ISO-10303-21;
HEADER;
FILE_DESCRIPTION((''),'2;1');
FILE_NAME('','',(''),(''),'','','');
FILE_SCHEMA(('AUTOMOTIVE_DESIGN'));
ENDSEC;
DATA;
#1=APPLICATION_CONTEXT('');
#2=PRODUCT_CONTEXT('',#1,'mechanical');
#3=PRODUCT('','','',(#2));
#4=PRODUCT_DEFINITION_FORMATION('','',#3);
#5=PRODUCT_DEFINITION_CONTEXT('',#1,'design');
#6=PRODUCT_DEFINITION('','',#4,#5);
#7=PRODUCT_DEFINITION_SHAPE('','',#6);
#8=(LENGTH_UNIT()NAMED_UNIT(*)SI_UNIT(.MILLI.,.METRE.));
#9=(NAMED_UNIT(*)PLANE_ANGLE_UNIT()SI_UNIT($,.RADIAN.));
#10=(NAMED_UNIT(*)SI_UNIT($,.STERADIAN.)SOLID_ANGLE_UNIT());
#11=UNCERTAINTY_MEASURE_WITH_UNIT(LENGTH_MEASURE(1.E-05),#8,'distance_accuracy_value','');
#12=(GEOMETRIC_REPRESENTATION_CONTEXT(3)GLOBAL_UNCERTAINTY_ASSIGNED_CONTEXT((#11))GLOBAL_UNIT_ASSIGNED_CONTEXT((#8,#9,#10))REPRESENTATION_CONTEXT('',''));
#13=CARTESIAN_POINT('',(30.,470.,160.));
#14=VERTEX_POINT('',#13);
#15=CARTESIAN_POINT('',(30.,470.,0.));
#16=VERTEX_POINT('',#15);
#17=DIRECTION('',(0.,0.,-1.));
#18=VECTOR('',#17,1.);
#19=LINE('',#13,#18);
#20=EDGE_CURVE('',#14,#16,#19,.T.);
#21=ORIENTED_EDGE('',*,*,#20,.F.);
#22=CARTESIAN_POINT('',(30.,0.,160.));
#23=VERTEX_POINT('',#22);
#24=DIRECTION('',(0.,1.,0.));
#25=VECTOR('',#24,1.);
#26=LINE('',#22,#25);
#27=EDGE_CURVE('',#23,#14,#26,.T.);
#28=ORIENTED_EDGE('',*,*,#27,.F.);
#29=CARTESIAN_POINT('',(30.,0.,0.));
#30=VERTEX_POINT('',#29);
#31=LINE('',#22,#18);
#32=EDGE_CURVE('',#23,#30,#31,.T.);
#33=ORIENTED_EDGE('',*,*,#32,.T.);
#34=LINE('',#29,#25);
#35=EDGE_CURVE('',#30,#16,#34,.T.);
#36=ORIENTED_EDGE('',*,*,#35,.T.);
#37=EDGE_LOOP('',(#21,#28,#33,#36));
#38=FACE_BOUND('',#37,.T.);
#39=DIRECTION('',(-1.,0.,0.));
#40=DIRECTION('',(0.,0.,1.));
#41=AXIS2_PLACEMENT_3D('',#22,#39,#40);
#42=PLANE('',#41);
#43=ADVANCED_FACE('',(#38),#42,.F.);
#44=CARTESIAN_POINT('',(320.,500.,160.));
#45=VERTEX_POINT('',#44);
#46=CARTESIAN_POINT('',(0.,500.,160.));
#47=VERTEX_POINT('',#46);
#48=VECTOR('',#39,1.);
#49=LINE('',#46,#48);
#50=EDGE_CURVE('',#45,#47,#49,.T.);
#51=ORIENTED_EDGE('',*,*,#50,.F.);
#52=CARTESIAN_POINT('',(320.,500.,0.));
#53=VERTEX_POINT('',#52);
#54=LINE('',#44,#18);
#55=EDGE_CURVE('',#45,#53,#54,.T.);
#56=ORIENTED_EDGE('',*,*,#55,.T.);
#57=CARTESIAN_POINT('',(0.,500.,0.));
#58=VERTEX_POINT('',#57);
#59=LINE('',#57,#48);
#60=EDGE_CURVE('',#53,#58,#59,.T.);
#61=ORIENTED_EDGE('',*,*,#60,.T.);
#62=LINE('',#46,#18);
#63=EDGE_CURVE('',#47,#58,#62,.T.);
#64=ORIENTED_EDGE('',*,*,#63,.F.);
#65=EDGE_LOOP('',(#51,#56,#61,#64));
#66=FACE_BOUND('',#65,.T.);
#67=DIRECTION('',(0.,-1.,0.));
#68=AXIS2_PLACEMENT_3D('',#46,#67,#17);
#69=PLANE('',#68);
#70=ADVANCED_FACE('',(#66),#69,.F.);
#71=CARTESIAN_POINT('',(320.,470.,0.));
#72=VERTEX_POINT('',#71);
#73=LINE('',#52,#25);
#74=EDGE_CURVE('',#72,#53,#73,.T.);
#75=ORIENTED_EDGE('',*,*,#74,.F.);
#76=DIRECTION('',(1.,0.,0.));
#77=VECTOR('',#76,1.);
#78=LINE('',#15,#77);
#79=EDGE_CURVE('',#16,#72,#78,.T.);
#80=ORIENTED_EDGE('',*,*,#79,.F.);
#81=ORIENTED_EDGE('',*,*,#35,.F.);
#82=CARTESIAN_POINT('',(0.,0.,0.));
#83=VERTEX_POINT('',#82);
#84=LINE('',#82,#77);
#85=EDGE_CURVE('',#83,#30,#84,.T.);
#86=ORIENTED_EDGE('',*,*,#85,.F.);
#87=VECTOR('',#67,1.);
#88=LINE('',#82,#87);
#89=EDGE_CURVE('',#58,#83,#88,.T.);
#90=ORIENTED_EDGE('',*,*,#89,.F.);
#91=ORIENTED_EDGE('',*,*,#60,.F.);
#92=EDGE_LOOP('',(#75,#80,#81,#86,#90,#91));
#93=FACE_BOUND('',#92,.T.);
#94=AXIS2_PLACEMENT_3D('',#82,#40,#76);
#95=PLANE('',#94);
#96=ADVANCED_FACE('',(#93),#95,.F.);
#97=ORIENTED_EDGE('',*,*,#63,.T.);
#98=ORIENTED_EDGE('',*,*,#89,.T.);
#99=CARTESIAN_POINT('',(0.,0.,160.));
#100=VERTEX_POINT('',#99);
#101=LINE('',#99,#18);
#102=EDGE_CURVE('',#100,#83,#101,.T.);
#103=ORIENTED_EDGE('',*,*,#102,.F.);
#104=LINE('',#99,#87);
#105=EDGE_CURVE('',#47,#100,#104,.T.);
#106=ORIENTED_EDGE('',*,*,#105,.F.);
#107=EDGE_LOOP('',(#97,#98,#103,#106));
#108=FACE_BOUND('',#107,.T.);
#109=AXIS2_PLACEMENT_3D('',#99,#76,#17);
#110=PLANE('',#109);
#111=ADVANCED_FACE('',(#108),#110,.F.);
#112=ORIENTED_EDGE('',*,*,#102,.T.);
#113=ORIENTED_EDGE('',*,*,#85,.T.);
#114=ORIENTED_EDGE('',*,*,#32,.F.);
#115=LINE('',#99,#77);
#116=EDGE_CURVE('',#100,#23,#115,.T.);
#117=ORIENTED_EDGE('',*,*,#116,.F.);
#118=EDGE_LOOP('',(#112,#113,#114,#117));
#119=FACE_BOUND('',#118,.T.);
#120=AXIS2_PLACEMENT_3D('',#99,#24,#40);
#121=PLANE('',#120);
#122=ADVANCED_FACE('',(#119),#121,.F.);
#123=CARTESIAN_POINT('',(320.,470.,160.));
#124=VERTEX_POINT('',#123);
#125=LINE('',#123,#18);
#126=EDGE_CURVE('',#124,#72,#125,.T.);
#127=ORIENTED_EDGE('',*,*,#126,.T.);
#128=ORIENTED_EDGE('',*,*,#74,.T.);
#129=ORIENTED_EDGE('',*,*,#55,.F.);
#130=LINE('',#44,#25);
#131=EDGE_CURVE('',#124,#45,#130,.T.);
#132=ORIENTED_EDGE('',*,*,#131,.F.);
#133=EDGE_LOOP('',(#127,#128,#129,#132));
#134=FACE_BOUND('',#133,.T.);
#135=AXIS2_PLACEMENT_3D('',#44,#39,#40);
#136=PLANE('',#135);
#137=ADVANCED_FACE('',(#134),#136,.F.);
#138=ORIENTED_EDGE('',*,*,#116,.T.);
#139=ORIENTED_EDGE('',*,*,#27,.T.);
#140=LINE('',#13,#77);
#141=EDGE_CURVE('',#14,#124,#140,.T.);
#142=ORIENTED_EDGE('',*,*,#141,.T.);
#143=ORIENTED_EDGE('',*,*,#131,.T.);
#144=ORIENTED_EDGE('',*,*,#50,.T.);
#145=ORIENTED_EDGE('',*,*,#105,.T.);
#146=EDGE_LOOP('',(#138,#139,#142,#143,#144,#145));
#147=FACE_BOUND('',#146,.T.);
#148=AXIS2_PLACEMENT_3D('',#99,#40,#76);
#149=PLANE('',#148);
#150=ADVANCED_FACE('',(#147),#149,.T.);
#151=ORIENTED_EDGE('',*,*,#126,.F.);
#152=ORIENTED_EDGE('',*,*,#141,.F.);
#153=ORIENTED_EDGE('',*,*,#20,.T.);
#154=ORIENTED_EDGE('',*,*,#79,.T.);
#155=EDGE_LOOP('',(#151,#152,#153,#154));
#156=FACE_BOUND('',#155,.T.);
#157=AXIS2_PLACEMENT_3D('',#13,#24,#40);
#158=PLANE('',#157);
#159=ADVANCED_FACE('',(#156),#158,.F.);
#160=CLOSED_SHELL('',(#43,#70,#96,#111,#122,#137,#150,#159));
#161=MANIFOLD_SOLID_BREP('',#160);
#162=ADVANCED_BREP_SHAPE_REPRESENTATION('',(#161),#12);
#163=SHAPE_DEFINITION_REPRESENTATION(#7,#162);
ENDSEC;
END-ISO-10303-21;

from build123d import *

# Parameters (mm, degrees)
SALIENTE_EXTRUIR1_DEPTH = 160


with BuildPart() as part:
    # Croquis1 → Saliente-Extruir1 (new body)
    with BuildSketch(Plane.XY):
        Polygon((0, 0), (0, 500), (320, 500), (320, 470), (30, 470), (30, 0), align=None)
    extrude(amount=SALIENTE_EXTRUIR1_DEPTH)


solid = part.part
